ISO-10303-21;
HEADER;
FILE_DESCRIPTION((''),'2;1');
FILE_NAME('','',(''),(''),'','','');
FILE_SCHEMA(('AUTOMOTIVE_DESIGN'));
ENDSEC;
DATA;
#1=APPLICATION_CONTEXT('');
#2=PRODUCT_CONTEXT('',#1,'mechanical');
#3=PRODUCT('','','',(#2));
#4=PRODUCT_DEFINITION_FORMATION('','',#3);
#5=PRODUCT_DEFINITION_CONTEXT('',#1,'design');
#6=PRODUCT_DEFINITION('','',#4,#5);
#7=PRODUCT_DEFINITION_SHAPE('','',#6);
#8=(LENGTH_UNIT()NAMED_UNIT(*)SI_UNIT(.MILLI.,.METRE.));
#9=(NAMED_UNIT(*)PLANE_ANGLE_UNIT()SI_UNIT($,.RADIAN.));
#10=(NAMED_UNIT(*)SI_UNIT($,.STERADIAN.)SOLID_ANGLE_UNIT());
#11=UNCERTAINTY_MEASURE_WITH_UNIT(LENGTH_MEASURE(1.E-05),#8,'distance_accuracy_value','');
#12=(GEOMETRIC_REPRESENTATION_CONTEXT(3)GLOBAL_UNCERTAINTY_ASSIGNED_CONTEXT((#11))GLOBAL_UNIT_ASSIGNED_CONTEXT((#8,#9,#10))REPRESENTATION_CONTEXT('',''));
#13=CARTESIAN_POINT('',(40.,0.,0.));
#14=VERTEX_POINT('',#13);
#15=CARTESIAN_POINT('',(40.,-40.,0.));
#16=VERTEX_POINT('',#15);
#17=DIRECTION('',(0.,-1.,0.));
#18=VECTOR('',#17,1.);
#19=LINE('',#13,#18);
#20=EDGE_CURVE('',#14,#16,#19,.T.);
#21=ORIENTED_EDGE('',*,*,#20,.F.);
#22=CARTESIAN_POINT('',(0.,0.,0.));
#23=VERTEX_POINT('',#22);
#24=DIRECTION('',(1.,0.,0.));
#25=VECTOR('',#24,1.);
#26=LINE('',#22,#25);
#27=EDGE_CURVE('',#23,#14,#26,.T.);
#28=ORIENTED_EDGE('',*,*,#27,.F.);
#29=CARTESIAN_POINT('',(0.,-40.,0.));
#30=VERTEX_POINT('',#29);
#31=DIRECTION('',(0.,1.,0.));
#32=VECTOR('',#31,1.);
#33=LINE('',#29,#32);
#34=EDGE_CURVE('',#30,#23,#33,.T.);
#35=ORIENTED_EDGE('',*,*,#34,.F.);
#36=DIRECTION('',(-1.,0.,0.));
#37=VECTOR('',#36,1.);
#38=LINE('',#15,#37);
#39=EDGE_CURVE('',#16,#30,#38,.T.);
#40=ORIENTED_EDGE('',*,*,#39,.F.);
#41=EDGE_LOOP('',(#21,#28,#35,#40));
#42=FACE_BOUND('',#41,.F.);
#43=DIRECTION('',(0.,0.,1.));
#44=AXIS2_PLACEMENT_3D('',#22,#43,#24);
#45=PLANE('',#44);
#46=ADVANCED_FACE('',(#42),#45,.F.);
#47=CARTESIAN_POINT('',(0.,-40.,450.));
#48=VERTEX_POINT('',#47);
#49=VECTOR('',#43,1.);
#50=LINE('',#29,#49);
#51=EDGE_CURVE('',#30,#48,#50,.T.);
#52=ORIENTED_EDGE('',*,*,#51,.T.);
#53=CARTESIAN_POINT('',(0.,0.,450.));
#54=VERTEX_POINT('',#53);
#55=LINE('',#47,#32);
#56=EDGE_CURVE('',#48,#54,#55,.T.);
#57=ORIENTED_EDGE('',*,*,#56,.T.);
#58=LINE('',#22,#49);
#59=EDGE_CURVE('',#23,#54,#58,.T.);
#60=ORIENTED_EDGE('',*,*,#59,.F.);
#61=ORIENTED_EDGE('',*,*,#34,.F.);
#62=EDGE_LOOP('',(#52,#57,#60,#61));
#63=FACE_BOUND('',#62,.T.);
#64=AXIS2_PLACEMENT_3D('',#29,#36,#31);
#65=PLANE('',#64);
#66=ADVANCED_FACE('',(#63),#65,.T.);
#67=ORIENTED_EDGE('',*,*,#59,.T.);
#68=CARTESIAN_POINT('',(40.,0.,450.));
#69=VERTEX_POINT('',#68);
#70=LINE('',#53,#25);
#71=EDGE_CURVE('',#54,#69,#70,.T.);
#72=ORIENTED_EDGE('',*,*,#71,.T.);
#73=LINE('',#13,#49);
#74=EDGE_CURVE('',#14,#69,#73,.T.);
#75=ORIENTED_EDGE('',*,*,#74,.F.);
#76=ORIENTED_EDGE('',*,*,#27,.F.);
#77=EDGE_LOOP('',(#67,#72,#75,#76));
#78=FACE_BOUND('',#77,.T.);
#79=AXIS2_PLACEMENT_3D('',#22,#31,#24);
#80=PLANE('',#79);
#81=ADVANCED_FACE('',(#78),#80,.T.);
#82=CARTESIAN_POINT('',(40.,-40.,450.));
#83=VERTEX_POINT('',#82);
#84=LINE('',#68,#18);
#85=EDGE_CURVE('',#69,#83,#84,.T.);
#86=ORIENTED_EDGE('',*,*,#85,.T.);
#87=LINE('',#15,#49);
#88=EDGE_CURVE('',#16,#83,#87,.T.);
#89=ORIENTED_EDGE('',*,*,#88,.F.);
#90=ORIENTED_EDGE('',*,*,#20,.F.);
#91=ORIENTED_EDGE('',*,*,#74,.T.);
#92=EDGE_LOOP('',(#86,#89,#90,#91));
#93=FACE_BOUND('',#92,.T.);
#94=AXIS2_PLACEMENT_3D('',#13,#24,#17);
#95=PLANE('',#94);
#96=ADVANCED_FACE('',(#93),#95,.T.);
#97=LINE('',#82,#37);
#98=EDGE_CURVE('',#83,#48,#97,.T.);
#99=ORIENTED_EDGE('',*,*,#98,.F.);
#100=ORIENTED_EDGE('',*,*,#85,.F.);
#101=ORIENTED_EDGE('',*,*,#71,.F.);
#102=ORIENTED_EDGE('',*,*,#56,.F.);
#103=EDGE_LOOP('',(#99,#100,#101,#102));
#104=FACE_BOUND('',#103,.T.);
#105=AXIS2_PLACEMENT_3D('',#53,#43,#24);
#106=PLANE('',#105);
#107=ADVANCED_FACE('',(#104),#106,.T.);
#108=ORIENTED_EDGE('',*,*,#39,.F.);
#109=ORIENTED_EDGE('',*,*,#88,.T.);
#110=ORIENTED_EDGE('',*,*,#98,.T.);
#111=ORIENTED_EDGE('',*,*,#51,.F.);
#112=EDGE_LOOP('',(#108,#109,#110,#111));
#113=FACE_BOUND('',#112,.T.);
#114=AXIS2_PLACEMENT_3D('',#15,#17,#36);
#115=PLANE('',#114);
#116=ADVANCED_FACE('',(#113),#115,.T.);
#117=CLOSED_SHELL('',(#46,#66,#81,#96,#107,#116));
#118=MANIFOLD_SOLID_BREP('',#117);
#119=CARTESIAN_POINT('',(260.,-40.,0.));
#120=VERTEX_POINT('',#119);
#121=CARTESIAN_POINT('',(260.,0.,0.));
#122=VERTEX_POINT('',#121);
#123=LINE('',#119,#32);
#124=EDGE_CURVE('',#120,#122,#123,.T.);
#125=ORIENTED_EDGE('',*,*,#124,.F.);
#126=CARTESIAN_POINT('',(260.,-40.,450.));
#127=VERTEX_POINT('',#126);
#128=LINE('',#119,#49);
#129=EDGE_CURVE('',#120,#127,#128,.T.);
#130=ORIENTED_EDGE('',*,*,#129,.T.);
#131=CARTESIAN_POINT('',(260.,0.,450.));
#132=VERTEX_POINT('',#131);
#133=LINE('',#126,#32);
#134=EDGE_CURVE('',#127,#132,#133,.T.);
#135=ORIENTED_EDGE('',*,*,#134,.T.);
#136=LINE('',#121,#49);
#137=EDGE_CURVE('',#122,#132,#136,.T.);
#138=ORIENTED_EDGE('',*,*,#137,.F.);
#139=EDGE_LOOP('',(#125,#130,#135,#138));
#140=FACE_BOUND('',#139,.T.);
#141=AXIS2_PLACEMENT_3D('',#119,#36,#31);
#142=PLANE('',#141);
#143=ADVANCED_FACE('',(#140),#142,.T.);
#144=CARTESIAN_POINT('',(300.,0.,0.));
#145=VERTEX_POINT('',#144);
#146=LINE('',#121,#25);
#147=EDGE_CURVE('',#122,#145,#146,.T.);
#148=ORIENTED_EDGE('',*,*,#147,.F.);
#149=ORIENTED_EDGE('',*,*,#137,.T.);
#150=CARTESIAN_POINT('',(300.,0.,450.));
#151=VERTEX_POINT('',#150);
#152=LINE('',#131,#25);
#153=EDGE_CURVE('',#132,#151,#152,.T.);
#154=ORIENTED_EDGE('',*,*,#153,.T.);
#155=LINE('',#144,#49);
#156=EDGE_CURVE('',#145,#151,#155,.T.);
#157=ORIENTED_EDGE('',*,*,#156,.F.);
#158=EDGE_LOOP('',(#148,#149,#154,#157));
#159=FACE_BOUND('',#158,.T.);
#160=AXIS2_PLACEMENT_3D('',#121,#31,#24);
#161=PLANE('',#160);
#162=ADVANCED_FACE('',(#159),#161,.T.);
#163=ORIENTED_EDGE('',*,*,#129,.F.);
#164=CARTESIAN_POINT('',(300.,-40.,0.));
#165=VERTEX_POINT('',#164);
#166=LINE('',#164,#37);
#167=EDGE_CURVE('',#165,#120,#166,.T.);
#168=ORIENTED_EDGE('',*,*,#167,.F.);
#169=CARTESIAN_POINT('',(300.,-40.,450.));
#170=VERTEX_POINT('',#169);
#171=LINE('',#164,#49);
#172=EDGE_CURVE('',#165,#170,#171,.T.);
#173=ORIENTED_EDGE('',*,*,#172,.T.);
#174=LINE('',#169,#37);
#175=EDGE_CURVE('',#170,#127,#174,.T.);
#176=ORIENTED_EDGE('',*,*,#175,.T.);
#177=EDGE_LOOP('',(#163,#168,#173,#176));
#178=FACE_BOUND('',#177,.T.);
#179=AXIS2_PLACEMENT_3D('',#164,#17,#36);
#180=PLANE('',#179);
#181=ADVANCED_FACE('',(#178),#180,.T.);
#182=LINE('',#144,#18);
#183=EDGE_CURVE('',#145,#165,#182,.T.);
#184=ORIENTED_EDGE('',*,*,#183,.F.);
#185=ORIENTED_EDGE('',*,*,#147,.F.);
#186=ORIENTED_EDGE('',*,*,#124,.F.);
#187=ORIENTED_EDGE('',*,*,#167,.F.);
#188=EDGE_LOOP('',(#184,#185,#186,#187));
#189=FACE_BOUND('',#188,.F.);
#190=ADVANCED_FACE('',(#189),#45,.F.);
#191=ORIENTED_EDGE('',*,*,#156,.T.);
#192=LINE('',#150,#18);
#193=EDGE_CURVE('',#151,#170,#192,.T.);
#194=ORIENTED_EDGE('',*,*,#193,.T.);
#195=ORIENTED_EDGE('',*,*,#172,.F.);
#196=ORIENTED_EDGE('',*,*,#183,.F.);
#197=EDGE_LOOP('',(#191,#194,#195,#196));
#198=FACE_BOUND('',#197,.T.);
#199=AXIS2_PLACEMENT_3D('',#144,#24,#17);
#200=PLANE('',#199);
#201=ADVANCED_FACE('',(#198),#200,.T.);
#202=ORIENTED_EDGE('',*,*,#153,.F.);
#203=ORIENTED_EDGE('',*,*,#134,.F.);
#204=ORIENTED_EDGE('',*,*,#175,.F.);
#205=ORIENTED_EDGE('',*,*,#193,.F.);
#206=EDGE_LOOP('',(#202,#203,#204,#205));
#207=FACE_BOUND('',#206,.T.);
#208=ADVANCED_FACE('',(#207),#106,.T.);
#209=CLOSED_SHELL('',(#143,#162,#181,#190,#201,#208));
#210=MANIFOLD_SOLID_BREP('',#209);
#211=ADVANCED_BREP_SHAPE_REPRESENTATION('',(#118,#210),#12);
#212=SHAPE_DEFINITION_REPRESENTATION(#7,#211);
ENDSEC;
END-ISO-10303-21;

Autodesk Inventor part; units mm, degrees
ref_plane "YZ Plane" through (0, 0, 0) normal (1, 0, 0) x (0, 1, 0)
ref_plane "XZ Plane" through (0, 0, 0) normal (0, 1, 0) x (-1, 0, 0)
ref_plane "XY Plane" through (0, 0, 0) normal (0, 0, 1) x (1, 0, 0)
sketch "Sketch1" plane through (0, 0, 0) normal (0, 0, 1) x (1, 0, 0)
  line L0 (0, 0) -> (40, 0)
  line L1 (40, 0) -> (40, -40)
  line L2 (40, -40) -> (0, -40)
  line L3 (0, -40) -> (0, 0)
  line L4 (260, 0) -> (300, 0)
  line L5 (300, 0) -> (300, -40)
  line L6 (300, -40) -> (260, -40)
  line L7 (260, -40) -> (260, 0)
  dimension "d0" = 40
  dimension "d1" = 40
  dimension "d2" = 260
extrude "Extrusion1" add sketch "Sketch1" along normal blind 450 contours L0 L1 L2 L3
extrude "Extrusion2" add sketch "Sketch1" along normal up to surface (450 mm away) separate body contours L4 L5 L6 L7
ref_plane "Work Plane1" through (0, 0, 225) normal (0, 0, 1) x (1, 0, 0)
ref_plane "Work Plane2" through (150, -40, 0) normal (1, 0, 0) x (0, 0, -1)
ref_plane "Work Plane3" through (0, -20, 0) normal (0, 1, 0) x (1, 0, 0)
properties part number "Assembly Mount Rack"
